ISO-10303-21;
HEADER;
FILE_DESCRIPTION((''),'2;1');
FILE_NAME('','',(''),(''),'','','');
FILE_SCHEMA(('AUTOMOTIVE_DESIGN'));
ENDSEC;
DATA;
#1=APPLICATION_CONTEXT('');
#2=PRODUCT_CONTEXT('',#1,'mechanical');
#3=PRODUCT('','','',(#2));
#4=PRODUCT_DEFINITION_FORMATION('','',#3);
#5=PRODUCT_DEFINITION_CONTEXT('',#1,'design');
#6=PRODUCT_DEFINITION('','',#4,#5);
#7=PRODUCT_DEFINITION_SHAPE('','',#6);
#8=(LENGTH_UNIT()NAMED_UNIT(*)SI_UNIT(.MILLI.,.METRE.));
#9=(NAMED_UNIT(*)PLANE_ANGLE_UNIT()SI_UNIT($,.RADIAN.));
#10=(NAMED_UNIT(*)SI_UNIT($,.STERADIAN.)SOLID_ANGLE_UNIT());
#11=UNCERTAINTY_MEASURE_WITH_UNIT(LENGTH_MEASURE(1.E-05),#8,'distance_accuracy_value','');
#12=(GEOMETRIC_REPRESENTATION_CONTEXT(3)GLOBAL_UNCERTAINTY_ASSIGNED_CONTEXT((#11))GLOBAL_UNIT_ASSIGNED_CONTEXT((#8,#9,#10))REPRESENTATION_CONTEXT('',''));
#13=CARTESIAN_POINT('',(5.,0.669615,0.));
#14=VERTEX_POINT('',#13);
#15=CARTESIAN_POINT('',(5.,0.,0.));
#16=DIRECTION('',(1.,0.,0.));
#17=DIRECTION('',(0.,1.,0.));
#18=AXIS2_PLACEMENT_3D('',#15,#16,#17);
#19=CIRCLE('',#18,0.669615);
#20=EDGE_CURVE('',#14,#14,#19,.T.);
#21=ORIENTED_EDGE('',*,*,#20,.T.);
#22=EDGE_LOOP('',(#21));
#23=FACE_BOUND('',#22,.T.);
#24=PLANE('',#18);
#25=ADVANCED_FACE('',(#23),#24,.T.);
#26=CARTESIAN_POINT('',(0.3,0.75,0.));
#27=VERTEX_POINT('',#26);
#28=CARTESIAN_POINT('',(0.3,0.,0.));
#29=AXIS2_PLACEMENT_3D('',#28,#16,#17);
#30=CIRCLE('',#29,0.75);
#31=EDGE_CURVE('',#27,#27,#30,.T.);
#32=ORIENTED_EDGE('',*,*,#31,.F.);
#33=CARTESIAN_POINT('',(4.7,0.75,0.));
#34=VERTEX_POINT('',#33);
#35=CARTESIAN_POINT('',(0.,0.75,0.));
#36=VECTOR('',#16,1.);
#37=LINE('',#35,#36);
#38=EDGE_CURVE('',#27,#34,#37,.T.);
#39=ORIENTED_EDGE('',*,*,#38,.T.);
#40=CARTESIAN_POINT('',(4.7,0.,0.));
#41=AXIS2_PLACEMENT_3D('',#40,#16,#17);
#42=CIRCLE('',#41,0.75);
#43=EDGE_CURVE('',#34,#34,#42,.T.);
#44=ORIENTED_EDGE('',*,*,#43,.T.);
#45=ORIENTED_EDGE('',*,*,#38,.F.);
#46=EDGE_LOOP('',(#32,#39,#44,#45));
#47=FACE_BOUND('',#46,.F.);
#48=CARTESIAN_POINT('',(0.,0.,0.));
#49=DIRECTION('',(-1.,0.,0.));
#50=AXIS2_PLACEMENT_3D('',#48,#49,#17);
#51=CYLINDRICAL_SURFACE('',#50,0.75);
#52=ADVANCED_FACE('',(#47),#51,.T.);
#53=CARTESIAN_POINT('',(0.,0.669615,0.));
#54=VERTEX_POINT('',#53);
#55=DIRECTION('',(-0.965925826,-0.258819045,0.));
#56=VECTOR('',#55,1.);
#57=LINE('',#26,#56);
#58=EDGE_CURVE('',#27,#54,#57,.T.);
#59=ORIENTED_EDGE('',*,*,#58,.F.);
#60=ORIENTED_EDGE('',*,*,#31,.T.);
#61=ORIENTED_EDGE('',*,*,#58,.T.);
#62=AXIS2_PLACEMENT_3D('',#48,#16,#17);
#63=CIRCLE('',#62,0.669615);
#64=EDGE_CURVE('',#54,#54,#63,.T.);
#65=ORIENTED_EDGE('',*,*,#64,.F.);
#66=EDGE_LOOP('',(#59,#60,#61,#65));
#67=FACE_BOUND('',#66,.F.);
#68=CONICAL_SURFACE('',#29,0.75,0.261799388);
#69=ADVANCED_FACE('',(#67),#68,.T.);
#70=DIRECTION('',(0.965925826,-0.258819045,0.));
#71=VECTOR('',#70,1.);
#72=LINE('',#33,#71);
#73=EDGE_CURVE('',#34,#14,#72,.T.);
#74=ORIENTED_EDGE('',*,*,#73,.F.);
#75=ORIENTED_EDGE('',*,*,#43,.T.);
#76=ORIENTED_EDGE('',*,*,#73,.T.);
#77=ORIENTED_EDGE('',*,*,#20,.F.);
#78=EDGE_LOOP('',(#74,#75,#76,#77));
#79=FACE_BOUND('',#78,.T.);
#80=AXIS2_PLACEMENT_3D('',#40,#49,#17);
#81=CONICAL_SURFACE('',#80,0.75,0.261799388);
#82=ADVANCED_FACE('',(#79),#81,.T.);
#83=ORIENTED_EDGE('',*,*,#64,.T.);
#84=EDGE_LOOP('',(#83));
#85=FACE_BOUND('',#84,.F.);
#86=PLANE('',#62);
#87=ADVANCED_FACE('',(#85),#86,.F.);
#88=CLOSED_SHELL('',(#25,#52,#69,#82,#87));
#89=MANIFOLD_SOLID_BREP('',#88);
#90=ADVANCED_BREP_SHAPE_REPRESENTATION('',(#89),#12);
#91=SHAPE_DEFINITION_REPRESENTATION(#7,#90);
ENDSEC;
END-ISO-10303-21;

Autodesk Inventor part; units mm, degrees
ref_plane "YZ Plane" through (0, 0, 0) normal (1, 0, 0) x (0, 1, 0)
ref_plane "XZ Plane" through (0, 0, 0) normal (0, 1, 0) x (-1, 0, 0)
ref_plane "XY Plane" through (0, 0, 0) normal (0, 0, 1) x (1, 0, 0)
sketch "Skizze" plane through (0, 0, 0) normal (1, 0, 0) x (0, 1, 0)
  circle A0 centre (0, 0) radius 0.75
  dimension "d1" = 1.5
extrude "Körper" add sketch "Skizze" along normal blind 5
chamfer "Fase1" distance 0.3 angle 15 1 edges at (0, -0.75, 0) measured on face at (3.3333, 0.7403, -0.1203)
chamfer "Skizze2" distance 0.3 angle 15 1 edges at (5, -0.75, 0) measured on face at (3.4333, 0.7476, -0.0603)
equation "\"d1\" = NND"
equation "\"d2\" = NLG"
equation "\"d8\" = PHH"
equation "\"d9\" = FAWI"
equation "\"d12\" = PHH"
equation "\"d4\" = PHH"
equation "\"d5\" = FAWI"
equation "\"d11\" = PHH"
equation "\"NND\" = 1.5"
equation "\"NLG\" = 5"
equation "\"PHH\" = 0.3"
equation "\"FAWI\" = 15deg"
equation "\"KAH\" = 0"
properties part number "ISO 2338 - 1,5 m6 x 5" material "Edelstahl, austenitisch"
